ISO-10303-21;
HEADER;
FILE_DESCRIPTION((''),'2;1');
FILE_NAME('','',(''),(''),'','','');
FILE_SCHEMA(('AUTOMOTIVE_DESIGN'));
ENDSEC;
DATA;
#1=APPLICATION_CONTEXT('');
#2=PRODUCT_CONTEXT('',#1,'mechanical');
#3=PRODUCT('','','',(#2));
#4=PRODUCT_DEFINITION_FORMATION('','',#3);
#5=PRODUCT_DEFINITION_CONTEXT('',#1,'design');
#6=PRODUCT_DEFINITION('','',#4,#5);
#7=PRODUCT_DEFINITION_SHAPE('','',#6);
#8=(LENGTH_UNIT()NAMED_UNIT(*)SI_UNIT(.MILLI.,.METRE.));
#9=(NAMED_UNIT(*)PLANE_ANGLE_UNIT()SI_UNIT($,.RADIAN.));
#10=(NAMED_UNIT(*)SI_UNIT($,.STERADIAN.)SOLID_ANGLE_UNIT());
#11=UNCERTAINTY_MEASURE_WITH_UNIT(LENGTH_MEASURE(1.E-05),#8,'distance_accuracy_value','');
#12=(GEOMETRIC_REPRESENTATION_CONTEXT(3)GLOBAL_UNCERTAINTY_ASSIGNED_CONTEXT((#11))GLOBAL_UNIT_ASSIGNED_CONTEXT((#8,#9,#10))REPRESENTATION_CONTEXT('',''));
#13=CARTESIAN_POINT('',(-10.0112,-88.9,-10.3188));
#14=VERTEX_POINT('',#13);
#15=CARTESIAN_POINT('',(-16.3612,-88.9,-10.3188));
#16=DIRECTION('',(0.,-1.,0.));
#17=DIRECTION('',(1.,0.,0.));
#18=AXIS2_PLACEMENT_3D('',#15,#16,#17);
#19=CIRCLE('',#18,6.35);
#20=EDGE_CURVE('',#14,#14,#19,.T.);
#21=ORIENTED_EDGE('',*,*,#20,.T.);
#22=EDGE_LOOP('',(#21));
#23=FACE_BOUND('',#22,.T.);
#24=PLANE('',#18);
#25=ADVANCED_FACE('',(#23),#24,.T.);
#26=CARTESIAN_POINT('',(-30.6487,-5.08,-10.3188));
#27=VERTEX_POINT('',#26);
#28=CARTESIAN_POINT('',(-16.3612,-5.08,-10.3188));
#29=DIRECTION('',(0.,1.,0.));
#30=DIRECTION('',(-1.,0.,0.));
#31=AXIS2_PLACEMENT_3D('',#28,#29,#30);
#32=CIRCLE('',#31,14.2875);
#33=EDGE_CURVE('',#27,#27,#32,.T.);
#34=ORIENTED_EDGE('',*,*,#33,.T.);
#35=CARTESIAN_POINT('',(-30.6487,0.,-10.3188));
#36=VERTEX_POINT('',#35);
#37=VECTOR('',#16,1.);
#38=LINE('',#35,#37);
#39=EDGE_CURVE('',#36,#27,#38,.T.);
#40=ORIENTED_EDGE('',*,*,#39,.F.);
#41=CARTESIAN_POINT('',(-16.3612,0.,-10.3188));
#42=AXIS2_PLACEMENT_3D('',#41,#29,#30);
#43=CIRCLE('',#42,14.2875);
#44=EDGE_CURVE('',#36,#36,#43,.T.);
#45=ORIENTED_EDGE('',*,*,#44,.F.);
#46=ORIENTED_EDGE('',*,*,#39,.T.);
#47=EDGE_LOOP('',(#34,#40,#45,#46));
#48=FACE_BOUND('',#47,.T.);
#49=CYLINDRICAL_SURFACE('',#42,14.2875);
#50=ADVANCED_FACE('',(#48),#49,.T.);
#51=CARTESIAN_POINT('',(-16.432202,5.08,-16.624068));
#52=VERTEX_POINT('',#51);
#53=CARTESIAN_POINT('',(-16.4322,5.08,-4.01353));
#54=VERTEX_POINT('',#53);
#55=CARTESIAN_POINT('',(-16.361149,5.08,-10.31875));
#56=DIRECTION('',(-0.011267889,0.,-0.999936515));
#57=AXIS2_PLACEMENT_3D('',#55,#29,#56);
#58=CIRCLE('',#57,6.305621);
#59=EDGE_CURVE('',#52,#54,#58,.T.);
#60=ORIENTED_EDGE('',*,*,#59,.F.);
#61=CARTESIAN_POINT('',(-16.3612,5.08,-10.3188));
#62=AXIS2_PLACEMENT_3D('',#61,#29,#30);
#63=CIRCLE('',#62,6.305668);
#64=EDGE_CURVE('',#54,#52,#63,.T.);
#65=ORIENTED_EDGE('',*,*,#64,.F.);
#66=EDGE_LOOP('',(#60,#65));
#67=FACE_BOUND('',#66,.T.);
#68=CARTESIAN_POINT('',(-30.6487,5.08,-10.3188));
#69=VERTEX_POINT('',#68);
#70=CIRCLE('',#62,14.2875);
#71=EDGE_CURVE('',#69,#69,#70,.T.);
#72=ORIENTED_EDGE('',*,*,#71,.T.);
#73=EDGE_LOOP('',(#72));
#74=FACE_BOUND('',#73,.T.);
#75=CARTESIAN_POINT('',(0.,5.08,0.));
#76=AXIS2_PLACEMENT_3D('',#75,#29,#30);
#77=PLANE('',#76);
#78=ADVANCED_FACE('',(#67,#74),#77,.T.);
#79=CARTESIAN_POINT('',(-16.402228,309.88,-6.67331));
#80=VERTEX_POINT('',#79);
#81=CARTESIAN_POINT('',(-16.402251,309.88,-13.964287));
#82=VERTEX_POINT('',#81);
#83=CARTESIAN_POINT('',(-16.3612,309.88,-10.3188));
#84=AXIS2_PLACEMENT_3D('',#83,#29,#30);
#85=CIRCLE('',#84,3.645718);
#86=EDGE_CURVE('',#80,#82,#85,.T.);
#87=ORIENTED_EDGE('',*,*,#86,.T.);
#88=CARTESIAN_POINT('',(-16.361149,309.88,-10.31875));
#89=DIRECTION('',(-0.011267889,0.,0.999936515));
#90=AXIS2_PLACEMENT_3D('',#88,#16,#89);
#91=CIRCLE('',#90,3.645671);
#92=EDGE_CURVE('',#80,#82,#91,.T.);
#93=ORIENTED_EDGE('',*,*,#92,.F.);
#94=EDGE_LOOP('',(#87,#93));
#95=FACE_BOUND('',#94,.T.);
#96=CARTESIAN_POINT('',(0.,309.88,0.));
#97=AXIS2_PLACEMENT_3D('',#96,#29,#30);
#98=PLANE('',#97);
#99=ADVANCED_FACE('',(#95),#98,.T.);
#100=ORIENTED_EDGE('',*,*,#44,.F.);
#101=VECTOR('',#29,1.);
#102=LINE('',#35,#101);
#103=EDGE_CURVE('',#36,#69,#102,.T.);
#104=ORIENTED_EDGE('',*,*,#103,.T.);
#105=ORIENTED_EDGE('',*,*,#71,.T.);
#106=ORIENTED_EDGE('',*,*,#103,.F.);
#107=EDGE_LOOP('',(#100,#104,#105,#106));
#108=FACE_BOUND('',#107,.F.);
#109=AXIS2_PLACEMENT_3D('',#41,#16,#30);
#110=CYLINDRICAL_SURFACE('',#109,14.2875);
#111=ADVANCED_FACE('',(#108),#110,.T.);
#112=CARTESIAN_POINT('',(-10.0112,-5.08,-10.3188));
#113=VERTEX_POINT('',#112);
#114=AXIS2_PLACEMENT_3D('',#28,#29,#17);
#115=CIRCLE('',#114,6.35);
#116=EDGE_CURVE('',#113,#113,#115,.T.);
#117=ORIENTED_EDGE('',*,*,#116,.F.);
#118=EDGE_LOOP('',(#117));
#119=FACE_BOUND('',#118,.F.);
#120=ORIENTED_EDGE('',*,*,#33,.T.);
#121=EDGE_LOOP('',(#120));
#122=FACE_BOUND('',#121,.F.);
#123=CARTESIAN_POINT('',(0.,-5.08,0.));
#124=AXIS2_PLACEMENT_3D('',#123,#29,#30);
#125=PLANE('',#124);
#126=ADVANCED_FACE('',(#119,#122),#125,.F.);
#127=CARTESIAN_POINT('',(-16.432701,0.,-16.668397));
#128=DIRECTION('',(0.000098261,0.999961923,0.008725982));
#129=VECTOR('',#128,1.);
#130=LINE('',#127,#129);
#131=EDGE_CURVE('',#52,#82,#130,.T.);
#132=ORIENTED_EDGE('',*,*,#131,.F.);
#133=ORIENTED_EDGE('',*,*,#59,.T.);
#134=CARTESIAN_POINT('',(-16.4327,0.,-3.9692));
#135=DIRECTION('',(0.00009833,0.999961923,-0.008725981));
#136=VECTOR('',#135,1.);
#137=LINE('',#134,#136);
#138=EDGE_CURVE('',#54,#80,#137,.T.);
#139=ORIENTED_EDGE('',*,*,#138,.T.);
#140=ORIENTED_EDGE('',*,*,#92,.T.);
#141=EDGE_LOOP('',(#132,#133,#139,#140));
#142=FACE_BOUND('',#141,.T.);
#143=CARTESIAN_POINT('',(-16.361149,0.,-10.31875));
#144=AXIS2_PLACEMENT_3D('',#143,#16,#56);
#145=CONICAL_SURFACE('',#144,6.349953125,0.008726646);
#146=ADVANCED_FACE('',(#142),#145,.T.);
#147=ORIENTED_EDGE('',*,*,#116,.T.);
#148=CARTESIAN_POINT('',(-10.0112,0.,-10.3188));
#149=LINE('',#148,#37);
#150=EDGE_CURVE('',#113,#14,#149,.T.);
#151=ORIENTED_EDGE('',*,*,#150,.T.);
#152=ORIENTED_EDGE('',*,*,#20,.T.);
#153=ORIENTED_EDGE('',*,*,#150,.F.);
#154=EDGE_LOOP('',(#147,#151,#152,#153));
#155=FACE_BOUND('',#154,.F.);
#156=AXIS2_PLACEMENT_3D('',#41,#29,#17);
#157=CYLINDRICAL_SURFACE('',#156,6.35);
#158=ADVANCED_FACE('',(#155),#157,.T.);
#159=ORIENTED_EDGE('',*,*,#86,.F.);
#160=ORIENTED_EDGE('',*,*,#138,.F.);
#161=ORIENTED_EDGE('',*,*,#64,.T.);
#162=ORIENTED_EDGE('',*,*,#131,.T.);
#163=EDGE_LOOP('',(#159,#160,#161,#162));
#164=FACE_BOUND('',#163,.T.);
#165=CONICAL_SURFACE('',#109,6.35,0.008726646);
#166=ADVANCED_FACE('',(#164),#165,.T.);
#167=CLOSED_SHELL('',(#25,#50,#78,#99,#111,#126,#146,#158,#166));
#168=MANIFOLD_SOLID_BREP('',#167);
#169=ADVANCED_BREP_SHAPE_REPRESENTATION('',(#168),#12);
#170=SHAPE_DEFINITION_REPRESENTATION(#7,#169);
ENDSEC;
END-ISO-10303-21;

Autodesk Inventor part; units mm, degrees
sketch "Base" plane through (0, 0, 0) normal (0, 1, 0) x (-1, 0, 0)
  arc A0 (16.4327, -16.6683) -> (16.4327, -3.9692) centre (16.3612, -10.3188) ccw projected
  circle A1 centre (16.3612, -10.3188) radius 6.35
  point P0 (0, 0)
extrude "ForwardFeature" add sketch "Base" along normal blind 309.88 draft -0.5
sketch "Sketch2" plane through (-16.3612, 0, -10.3188) normal (0, -1, 0) x (1, 0, 0)
  circle A0 centre (0, 0) radius 6.35 projected
  point P0 (16.3612, 10.3188)
extrude "BackFeature" add sketch "Sketch2" along normal blind 88.9
sketch "Sketch3" plane through (0, 0, 0) normal (0, 1, 0) x (-1, 0, 0)
  arc A0 (16.2898, 3.9686) -> (16.4327, 3.9686) centre (16.3612, -10.3188) ccw construction
  circle A1 centre (16.3612, -10.3188) radius 14.2875
  point P0 (0, 0)
extrude "CollarFeature" add sketch "Sketch3" along normal mid plane 10.16
properties part number "DrumstickBoundingBox"
